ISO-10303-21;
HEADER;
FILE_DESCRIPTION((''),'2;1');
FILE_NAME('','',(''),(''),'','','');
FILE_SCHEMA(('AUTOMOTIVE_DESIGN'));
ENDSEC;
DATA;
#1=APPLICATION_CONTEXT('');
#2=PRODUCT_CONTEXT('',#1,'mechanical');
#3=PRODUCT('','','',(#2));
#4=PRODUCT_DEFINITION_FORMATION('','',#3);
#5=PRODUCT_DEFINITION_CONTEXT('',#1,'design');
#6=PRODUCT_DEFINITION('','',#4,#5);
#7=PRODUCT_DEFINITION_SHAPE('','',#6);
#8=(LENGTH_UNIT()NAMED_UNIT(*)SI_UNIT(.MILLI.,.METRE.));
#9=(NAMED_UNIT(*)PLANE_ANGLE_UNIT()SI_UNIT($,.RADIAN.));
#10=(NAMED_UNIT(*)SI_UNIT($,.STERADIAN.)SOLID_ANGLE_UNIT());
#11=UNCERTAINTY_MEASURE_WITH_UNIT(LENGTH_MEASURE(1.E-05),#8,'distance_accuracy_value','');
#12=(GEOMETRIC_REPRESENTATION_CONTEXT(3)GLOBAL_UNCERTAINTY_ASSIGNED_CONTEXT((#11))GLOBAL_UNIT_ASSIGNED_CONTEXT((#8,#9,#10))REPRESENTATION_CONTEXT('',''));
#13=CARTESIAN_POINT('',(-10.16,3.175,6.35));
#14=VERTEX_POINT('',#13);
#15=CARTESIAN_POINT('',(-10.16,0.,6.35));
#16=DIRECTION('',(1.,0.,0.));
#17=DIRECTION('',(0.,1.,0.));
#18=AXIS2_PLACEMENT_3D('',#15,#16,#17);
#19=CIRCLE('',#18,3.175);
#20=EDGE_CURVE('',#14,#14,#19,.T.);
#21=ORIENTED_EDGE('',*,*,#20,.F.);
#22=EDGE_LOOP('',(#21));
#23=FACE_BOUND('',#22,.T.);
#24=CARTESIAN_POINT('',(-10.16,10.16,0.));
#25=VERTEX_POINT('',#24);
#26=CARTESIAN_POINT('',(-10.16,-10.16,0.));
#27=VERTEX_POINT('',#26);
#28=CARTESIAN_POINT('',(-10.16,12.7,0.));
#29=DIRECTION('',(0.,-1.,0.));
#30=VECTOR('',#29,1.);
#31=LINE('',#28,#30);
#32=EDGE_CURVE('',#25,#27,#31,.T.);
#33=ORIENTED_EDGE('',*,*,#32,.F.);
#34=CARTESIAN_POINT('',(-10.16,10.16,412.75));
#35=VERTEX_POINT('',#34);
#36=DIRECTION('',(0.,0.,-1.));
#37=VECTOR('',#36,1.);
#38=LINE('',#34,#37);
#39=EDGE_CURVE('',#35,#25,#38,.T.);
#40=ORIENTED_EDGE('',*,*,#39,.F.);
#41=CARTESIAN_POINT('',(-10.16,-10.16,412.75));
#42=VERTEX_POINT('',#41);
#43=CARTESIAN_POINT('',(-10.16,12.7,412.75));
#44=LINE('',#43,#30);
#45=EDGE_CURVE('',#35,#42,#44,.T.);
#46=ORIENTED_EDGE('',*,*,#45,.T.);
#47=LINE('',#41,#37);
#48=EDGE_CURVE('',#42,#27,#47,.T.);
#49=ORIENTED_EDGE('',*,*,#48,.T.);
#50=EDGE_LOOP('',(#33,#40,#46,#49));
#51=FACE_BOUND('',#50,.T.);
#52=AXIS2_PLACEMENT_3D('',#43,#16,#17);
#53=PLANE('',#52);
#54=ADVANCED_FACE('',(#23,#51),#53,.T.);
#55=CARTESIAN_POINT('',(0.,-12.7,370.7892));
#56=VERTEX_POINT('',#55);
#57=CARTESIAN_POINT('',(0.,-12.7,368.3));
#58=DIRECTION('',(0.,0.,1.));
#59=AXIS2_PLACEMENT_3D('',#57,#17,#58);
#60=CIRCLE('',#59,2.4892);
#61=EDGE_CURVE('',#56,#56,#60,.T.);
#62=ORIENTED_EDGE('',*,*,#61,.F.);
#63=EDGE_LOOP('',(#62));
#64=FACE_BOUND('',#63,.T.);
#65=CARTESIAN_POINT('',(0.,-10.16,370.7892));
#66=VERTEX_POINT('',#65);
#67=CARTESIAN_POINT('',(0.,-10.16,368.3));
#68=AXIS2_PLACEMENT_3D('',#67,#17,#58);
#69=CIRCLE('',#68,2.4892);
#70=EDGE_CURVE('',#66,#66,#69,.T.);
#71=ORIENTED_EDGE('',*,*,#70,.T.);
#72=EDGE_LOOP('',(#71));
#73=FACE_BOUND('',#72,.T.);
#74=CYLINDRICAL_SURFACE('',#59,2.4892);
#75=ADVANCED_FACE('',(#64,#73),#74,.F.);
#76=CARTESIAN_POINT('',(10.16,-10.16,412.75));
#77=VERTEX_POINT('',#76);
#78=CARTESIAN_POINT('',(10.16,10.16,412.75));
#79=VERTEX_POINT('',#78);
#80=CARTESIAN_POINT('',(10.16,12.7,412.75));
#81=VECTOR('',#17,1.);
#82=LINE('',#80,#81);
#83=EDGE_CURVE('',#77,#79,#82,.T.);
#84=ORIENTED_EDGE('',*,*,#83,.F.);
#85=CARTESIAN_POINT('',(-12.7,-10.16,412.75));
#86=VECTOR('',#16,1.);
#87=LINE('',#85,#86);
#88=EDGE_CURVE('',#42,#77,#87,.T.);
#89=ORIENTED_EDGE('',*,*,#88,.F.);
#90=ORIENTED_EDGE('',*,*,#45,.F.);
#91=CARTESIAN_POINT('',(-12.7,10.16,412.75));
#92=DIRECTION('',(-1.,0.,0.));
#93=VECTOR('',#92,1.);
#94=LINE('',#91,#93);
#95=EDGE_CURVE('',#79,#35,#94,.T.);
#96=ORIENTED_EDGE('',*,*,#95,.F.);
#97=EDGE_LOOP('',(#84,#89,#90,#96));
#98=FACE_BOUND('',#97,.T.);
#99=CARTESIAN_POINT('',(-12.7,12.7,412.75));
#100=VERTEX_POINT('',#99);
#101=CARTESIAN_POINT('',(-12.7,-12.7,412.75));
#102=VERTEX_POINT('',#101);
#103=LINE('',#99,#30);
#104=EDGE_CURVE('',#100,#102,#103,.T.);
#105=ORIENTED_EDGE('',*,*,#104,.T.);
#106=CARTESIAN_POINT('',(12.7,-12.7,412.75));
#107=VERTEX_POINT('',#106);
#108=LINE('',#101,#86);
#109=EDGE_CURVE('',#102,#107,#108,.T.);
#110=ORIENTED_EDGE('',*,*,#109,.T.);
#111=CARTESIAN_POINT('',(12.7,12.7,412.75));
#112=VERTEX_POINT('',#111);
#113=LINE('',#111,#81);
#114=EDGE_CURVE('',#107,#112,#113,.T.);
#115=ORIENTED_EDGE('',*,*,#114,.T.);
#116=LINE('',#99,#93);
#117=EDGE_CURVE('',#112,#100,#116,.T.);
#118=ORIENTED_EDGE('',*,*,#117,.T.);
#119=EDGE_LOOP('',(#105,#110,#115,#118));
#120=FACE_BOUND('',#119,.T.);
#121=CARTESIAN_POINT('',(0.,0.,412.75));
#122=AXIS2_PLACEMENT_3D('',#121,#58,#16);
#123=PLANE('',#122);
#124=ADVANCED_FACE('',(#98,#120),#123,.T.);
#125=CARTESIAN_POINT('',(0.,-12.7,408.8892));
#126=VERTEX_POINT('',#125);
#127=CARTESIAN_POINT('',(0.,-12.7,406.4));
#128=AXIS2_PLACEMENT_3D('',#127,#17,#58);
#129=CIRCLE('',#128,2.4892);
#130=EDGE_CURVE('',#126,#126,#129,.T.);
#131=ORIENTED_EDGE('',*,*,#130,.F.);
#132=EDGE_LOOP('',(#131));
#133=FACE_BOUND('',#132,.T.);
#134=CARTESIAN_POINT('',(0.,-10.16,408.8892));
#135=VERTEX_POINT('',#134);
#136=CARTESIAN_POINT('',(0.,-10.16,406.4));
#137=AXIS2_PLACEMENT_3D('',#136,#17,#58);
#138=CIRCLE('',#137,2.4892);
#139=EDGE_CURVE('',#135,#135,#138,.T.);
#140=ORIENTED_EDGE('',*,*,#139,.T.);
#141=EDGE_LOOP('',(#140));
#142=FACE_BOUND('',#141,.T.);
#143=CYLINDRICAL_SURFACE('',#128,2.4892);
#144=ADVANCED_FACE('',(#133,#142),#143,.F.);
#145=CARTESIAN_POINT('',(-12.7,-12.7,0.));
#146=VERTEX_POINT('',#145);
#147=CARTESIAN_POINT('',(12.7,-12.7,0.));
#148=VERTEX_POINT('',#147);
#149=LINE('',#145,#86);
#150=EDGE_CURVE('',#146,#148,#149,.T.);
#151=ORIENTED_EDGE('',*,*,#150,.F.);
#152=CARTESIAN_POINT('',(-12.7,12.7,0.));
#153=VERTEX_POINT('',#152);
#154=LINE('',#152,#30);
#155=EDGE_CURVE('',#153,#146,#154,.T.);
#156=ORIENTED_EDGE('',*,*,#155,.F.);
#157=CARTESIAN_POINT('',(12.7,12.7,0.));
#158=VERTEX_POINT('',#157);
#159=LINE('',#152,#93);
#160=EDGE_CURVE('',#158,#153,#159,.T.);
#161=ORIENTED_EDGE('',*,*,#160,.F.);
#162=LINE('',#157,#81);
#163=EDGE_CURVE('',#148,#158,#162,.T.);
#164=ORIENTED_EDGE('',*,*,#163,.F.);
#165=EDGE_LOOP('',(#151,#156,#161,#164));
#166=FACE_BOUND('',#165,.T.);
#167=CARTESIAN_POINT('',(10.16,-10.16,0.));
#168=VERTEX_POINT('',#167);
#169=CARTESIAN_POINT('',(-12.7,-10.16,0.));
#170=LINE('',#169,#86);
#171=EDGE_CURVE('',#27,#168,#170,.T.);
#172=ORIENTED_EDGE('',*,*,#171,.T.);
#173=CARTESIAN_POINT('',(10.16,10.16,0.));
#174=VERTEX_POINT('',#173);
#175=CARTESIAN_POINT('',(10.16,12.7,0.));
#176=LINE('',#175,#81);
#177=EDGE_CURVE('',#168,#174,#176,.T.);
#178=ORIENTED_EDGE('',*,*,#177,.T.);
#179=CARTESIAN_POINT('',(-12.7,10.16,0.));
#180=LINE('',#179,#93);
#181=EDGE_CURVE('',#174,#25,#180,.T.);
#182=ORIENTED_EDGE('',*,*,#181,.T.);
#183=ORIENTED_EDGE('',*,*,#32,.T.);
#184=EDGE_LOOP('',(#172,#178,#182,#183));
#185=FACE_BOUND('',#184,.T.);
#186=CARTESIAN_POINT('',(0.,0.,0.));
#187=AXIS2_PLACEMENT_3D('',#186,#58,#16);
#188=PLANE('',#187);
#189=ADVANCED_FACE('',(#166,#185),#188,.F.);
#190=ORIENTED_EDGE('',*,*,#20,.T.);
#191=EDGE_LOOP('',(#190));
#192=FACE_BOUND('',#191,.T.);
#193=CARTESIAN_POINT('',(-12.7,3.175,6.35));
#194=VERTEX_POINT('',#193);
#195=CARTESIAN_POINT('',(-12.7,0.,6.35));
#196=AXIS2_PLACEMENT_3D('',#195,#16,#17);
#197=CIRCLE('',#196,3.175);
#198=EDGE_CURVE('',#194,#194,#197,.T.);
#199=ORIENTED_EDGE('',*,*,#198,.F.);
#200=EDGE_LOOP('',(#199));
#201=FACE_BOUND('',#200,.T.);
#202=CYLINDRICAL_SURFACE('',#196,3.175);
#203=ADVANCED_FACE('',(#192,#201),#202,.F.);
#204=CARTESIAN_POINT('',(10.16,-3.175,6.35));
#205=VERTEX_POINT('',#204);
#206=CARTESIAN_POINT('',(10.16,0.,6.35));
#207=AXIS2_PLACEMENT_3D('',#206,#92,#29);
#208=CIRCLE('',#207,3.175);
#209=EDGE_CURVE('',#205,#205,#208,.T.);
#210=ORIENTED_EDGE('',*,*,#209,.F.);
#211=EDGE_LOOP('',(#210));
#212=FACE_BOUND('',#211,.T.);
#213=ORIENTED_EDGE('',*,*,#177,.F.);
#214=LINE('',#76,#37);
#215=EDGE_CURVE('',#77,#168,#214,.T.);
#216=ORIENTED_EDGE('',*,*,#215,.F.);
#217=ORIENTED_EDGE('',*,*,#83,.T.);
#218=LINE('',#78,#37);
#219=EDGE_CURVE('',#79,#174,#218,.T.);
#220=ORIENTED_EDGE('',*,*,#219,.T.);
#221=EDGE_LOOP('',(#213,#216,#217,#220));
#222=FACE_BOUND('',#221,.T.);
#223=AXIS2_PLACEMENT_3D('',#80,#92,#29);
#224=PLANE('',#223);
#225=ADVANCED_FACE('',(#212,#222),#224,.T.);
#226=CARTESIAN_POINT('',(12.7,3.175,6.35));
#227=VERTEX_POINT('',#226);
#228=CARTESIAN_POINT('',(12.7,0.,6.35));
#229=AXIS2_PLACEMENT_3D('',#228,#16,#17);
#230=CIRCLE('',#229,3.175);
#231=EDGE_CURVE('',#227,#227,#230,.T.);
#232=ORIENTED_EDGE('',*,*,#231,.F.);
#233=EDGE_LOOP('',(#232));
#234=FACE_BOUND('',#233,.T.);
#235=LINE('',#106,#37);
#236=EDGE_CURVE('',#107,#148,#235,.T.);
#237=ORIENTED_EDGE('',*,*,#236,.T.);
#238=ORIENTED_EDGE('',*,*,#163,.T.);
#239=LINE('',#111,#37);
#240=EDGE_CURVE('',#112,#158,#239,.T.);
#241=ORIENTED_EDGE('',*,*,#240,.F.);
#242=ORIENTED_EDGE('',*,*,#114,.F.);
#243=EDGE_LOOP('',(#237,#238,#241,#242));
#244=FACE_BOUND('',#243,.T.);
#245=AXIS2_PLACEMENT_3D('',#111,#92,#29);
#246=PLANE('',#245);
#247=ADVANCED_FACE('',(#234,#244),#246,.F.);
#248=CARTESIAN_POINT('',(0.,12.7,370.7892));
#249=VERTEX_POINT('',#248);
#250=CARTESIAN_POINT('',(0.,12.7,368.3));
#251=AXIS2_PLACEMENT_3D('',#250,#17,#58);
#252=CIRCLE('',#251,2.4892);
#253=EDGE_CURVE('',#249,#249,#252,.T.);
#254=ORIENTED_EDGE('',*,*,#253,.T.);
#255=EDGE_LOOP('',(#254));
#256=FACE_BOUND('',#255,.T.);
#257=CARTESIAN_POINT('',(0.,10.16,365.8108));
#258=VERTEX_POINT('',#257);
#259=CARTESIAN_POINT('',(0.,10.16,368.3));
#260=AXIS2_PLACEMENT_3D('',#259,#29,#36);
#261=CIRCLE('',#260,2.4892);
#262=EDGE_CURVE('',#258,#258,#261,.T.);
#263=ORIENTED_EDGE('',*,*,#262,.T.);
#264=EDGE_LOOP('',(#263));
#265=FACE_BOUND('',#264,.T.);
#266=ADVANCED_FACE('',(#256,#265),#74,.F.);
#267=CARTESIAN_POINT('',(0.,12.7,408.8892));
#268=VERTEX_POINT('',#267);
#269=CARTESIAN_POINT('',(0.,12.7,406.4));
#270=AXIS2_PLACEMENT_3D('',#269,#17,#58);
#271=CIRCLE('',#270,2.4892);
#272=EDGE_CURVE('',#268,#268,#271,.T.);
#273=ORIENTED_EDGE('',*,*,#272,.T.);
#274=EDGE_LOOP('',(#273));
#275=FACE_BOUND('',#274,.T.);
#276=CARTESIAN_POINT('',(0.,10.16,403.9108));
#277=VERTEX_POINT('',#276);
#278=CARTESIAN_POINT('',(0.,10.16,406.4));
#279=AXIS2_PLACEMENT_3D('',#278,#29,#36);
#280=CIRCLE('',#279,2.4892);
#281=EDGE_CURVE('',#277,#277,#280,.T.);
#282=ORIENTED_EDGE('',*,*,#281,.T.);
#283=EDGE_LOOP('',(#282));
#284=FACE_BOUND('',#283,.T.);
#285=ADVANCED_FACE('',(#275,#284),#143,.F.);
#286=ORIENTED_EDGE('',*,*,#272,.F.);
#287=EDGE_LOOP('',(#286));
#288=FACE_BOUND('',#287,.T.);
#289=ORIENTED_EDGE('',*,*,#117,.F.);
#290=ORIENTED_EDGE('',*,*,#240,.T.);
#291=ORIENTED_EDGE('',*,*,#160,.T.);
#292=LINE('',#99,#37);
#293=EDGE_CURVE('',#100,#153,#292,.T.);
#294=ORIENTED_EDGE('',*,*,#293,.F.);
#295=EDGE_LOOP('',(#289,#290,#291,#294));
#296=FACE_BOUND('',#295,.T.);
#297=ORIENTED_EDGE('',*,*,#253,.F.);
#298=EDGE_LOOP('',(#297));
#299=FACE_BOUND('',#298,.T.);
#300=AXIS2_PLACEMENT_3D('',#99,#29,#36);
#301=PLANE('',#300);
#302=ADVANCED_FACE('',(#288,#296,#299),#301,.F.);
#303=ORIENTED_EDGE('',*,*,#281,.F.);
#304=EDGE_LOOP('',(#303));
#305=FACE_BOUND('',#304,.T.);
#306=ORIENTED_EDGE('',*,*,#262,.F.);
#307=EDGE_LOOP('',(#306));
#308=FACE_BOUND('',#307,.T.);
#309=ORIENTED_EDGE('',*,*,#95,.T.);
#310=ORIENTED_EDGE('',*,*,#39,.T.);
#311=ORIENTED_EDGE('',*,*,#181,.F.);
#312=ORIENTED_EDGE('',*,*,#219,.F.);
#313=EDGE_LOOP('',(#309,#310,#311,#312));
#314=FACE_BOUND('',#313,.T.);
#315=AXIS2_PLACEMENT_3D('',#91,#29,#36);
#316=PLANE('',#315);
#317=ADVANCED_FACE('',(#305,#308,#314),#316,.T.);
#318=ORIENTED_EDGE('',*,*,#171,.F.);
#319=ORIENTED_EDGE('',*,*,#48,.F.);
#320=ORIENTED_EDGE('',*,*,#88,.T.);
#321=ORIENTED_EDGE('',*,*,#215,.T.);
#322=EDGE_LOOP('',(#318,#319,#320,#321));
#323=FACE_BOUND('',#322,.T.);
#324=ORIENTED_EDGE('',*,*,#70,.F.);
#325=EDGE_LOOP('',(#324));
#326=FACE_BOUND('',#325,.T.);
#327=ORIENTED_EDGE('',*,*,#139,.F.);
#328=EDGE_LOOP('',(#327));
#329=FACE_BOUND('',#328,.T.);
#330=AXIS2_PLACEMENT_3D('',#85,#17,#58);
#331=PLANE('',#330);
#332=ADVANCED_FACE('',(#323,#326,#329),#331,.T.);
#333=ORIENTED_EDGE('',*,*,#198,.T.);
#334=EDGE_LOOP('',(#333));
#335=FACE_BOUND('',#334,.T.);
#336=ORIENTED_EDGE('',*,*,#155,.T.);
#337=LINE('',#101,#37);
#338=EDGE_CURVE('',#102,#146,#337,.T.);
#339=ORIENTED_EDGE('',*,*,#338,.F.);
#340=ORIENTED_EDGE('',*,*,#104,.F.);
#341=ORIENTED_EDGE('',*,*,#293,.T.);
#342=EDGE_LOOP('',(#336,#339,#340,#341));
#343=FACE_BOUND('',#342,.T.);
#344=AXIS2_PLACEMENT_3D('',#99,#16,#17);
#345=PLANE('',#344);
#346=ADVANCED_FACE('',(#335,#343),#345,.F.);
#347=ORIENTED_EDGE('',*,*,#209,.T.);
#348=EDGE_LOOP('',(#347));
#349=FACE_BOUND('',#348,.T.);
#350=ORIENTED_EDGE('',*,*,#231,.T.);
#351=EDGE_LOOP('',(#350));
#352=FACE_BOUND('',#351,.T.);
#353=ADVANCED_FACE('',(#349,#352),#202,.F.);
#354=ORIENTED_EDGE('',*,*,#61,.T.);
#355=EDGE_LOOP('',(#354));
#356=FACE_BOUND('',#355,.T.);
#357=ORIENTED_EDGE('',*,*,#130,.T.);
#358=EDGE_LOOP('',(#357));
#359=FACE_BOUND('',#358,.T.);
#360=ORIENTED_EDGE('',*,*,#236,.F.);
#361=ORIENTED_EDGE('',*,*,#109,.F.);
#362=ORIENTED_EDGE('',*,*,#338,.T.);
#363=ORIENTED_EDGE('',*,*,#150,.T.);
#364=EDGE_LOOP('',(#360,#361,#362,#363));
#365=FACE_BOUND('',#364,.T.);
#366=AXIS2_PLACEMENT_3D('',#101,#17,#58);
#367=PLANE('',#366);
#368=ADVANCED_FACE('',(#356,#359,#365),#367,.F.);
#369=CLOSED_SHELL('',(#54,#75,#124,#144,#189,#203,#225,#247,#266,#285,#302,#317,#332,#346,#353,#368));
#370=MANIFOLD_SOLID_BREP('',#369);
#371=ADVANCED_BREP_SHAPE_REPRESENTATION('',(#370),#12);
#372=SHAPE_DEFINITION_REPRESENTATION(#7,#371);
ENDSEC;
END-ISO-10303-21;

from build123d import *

# Parameters (mm, degrees)
SKETCH1_W           = 25.4
SKETCH1_H           = 25.4
SKETCH1_W_2         = 20.32
SKETCH1_H_2         = 20.32
EXTRUDE_THIN1_DEPTH = 412.75
SKETCH2_R           = 2.4892
CUT_EXTRUDE1_DEPTH  = 26.4
SKETCH3_R           = 3.175
CUT_EXTRUDE2_DEPTH  = 26.4


with BuildPart() as part:
    # Sketch1 → Extrude-Thin1 (new body)
    with BuildSketch(Plane.XY):
        Rectangle(SKETCH1_W, SKETCH1_H)
        Rectangle(SKETCH1_W_2, SKETCH1_H_2, mode=Mode.SUBTRACT)
    extrude(amount=EXTRUDE_THIN1_DEPTH)

    # Sketch2 → Cut-Extrude1 (cut, through all)
    with BuildSketch(Plane(origin=(0, 12.7, 0), x_dir=(1, 0, 0), z_dir=(0, 1, 0))):
        with Locations((0, -406.4)):
            Circle(SKETCH2_R)
        with Locations((0, -368.3)):
            Circle(SKETCH2_R)
    extrude(amount=-CUT_EXTRUDE1_DEPTH, mode=Mode.SUBTRACT)

    # Sketch3 → Cut-Extrude2 (cut, through all)
    with BuildSketch(Plane(origin=(12.7, 0, 0), x_dir=(0, 0, -1), z_dir=(1, 0, 0))):
        with Locations((-6.35, 0)):
            Circle(SKETCH3_R)
    extrude(amount=-CUT_EXTRUDE2_DEPTH, mode=Mode.SUBTRACT)


solid = part.part
